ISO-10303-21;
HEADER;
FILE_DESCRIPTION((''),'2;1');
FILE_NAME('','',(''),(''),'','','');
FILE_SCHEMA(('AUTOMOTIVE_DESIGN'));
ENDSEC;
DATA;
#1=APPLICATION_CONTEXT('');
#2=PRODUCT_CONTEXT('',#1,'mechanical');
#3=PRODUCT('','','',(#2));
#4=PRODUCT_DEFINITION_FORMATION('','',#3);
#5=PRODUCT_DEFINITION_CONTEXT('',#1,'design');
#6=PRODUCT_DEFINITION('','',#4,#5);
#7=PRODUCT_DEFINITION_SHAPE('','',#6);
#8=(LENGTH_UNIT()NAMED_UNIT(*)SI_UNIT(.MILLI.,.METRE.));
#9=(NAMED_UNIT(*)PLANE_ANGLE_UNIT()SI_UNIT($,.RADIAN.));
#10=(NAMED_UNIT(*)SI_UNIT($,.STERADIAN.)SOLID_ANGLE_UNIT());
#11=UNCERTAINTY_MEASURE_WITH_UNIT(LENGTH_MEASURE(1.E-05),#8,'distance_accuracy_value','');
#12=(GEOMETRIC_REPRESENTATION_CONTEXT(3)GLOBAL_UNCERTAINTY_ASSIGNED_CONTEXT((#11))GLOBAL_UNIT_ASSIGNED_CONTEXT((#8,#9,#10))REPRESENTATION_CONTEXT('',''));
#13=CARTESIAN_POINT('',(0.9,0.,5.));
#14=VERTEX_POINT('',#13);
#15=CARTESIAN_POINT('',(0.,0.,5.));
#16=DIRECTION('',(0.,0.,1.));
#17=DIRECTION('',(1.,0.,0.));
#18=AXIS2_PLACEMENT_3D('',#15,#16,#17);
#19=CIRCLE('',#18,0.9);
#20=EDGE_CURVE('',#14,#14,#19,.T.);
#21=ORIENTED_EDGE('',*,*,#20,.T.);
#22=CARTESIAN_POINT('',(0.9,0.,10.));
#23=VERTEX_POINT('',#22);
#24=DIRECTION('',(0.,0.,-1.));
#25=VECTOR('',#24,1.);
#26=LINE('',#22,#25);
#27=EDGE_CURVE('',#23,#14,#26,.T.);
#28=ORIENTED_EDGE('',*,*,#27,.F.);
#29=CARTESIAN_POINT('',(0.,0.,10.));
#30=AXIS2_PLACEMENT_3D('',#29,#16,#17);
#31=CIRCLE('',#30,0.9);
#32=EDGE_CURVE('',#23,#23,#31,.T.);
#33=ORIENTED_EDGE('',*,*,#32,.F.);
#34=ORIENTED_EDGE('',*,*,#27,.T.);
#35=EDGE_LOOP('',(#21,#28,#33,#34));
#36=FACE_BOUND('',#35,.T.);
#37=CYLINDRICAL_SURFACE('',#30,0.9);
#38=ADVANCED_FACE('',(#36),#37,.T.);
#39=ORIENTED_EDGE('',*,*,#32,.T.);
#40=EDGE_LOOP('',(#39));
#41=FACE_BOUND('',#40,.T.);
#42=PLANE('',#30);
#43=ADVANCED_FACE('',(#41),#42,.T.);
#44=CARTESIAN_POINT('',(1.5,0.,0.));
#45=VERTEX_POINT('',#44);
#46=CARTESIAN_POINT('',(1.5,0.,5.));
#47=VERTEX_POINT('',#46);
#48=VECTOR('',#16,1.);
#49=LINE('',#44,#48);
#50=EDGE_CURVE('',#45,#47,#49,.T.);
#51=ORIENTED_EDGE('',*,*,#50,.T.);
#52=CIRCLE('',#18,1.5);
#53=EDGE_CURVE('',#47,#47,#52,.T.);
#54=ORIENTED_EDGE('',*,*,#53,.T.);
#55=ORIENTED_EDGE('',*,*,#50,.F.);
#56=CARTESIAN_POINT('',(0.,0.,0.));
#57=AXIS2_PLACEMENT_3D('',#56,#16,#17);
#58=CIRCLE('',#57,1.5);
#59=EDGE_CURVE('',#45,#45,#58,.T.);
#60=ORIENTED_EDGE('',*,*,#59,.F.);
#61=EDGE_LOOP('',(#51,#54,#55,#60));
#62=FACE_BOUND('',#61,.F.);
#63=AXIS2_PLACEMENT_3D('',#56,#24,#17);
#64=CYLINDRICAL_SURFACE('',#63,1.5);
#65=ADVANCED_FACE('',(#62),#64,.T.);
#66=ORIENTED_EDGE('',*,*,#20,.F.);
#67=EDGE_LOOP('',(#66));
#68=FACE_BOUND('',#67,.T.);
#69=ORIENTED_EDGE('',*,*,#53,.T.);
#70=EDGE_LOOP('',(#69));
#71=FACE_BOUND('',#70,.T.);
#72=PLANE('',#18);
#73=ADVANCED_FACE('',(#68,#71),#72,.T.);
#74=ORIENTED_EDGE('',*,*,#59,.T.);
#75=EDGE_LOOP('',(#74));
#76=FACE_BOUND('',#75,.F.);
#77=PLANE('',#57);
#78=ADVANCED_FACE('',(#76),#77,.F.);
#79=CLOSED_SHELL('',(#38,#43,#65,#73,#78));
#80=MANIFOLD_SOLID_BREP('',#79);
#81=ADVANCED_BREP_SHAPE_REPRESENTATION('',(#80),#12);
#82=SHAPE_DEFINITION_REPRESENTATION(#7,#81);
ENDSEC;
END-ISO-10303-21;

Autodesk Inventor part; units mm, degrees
ref_plane "Plan YZ" through (0, 0, 0) normal (1, 0, 0) x (0, 1, 0)
ref_plane "Plan XZ" through (0, 0, 0) normal (0, 1, 0) x (-1, 0, 0)
ref_plane "Plan XY" through (0, 0, 0) normal (0, 0, 1) x (1, 0, 0)
sketch "Esquisse1" plane through (0, 0, 0) normal (0, 0, 1) x (1, 0, 0)
  circle A0 centre (0, 0) radius 1.5
  dimension "d0" = 3
extrude "Extrusion1" add sketch "Esquisse1" along normal blind 10
sketch "Esquisse6" plane through (0, 0, 10) normal (0, 0, 1) x (1, 0, 0)
  circle A0 centre (0, 0) radius 0.9
  circle A1 centre (0, 0) radius 1.5 projected
  dimension "d6" = 1.8
extrude "Extrusion2" cut sketch "Esquisse6" against normal blind 5
properties part number "S1702_butee" material "CuZn36Pb3-HA laiton"
